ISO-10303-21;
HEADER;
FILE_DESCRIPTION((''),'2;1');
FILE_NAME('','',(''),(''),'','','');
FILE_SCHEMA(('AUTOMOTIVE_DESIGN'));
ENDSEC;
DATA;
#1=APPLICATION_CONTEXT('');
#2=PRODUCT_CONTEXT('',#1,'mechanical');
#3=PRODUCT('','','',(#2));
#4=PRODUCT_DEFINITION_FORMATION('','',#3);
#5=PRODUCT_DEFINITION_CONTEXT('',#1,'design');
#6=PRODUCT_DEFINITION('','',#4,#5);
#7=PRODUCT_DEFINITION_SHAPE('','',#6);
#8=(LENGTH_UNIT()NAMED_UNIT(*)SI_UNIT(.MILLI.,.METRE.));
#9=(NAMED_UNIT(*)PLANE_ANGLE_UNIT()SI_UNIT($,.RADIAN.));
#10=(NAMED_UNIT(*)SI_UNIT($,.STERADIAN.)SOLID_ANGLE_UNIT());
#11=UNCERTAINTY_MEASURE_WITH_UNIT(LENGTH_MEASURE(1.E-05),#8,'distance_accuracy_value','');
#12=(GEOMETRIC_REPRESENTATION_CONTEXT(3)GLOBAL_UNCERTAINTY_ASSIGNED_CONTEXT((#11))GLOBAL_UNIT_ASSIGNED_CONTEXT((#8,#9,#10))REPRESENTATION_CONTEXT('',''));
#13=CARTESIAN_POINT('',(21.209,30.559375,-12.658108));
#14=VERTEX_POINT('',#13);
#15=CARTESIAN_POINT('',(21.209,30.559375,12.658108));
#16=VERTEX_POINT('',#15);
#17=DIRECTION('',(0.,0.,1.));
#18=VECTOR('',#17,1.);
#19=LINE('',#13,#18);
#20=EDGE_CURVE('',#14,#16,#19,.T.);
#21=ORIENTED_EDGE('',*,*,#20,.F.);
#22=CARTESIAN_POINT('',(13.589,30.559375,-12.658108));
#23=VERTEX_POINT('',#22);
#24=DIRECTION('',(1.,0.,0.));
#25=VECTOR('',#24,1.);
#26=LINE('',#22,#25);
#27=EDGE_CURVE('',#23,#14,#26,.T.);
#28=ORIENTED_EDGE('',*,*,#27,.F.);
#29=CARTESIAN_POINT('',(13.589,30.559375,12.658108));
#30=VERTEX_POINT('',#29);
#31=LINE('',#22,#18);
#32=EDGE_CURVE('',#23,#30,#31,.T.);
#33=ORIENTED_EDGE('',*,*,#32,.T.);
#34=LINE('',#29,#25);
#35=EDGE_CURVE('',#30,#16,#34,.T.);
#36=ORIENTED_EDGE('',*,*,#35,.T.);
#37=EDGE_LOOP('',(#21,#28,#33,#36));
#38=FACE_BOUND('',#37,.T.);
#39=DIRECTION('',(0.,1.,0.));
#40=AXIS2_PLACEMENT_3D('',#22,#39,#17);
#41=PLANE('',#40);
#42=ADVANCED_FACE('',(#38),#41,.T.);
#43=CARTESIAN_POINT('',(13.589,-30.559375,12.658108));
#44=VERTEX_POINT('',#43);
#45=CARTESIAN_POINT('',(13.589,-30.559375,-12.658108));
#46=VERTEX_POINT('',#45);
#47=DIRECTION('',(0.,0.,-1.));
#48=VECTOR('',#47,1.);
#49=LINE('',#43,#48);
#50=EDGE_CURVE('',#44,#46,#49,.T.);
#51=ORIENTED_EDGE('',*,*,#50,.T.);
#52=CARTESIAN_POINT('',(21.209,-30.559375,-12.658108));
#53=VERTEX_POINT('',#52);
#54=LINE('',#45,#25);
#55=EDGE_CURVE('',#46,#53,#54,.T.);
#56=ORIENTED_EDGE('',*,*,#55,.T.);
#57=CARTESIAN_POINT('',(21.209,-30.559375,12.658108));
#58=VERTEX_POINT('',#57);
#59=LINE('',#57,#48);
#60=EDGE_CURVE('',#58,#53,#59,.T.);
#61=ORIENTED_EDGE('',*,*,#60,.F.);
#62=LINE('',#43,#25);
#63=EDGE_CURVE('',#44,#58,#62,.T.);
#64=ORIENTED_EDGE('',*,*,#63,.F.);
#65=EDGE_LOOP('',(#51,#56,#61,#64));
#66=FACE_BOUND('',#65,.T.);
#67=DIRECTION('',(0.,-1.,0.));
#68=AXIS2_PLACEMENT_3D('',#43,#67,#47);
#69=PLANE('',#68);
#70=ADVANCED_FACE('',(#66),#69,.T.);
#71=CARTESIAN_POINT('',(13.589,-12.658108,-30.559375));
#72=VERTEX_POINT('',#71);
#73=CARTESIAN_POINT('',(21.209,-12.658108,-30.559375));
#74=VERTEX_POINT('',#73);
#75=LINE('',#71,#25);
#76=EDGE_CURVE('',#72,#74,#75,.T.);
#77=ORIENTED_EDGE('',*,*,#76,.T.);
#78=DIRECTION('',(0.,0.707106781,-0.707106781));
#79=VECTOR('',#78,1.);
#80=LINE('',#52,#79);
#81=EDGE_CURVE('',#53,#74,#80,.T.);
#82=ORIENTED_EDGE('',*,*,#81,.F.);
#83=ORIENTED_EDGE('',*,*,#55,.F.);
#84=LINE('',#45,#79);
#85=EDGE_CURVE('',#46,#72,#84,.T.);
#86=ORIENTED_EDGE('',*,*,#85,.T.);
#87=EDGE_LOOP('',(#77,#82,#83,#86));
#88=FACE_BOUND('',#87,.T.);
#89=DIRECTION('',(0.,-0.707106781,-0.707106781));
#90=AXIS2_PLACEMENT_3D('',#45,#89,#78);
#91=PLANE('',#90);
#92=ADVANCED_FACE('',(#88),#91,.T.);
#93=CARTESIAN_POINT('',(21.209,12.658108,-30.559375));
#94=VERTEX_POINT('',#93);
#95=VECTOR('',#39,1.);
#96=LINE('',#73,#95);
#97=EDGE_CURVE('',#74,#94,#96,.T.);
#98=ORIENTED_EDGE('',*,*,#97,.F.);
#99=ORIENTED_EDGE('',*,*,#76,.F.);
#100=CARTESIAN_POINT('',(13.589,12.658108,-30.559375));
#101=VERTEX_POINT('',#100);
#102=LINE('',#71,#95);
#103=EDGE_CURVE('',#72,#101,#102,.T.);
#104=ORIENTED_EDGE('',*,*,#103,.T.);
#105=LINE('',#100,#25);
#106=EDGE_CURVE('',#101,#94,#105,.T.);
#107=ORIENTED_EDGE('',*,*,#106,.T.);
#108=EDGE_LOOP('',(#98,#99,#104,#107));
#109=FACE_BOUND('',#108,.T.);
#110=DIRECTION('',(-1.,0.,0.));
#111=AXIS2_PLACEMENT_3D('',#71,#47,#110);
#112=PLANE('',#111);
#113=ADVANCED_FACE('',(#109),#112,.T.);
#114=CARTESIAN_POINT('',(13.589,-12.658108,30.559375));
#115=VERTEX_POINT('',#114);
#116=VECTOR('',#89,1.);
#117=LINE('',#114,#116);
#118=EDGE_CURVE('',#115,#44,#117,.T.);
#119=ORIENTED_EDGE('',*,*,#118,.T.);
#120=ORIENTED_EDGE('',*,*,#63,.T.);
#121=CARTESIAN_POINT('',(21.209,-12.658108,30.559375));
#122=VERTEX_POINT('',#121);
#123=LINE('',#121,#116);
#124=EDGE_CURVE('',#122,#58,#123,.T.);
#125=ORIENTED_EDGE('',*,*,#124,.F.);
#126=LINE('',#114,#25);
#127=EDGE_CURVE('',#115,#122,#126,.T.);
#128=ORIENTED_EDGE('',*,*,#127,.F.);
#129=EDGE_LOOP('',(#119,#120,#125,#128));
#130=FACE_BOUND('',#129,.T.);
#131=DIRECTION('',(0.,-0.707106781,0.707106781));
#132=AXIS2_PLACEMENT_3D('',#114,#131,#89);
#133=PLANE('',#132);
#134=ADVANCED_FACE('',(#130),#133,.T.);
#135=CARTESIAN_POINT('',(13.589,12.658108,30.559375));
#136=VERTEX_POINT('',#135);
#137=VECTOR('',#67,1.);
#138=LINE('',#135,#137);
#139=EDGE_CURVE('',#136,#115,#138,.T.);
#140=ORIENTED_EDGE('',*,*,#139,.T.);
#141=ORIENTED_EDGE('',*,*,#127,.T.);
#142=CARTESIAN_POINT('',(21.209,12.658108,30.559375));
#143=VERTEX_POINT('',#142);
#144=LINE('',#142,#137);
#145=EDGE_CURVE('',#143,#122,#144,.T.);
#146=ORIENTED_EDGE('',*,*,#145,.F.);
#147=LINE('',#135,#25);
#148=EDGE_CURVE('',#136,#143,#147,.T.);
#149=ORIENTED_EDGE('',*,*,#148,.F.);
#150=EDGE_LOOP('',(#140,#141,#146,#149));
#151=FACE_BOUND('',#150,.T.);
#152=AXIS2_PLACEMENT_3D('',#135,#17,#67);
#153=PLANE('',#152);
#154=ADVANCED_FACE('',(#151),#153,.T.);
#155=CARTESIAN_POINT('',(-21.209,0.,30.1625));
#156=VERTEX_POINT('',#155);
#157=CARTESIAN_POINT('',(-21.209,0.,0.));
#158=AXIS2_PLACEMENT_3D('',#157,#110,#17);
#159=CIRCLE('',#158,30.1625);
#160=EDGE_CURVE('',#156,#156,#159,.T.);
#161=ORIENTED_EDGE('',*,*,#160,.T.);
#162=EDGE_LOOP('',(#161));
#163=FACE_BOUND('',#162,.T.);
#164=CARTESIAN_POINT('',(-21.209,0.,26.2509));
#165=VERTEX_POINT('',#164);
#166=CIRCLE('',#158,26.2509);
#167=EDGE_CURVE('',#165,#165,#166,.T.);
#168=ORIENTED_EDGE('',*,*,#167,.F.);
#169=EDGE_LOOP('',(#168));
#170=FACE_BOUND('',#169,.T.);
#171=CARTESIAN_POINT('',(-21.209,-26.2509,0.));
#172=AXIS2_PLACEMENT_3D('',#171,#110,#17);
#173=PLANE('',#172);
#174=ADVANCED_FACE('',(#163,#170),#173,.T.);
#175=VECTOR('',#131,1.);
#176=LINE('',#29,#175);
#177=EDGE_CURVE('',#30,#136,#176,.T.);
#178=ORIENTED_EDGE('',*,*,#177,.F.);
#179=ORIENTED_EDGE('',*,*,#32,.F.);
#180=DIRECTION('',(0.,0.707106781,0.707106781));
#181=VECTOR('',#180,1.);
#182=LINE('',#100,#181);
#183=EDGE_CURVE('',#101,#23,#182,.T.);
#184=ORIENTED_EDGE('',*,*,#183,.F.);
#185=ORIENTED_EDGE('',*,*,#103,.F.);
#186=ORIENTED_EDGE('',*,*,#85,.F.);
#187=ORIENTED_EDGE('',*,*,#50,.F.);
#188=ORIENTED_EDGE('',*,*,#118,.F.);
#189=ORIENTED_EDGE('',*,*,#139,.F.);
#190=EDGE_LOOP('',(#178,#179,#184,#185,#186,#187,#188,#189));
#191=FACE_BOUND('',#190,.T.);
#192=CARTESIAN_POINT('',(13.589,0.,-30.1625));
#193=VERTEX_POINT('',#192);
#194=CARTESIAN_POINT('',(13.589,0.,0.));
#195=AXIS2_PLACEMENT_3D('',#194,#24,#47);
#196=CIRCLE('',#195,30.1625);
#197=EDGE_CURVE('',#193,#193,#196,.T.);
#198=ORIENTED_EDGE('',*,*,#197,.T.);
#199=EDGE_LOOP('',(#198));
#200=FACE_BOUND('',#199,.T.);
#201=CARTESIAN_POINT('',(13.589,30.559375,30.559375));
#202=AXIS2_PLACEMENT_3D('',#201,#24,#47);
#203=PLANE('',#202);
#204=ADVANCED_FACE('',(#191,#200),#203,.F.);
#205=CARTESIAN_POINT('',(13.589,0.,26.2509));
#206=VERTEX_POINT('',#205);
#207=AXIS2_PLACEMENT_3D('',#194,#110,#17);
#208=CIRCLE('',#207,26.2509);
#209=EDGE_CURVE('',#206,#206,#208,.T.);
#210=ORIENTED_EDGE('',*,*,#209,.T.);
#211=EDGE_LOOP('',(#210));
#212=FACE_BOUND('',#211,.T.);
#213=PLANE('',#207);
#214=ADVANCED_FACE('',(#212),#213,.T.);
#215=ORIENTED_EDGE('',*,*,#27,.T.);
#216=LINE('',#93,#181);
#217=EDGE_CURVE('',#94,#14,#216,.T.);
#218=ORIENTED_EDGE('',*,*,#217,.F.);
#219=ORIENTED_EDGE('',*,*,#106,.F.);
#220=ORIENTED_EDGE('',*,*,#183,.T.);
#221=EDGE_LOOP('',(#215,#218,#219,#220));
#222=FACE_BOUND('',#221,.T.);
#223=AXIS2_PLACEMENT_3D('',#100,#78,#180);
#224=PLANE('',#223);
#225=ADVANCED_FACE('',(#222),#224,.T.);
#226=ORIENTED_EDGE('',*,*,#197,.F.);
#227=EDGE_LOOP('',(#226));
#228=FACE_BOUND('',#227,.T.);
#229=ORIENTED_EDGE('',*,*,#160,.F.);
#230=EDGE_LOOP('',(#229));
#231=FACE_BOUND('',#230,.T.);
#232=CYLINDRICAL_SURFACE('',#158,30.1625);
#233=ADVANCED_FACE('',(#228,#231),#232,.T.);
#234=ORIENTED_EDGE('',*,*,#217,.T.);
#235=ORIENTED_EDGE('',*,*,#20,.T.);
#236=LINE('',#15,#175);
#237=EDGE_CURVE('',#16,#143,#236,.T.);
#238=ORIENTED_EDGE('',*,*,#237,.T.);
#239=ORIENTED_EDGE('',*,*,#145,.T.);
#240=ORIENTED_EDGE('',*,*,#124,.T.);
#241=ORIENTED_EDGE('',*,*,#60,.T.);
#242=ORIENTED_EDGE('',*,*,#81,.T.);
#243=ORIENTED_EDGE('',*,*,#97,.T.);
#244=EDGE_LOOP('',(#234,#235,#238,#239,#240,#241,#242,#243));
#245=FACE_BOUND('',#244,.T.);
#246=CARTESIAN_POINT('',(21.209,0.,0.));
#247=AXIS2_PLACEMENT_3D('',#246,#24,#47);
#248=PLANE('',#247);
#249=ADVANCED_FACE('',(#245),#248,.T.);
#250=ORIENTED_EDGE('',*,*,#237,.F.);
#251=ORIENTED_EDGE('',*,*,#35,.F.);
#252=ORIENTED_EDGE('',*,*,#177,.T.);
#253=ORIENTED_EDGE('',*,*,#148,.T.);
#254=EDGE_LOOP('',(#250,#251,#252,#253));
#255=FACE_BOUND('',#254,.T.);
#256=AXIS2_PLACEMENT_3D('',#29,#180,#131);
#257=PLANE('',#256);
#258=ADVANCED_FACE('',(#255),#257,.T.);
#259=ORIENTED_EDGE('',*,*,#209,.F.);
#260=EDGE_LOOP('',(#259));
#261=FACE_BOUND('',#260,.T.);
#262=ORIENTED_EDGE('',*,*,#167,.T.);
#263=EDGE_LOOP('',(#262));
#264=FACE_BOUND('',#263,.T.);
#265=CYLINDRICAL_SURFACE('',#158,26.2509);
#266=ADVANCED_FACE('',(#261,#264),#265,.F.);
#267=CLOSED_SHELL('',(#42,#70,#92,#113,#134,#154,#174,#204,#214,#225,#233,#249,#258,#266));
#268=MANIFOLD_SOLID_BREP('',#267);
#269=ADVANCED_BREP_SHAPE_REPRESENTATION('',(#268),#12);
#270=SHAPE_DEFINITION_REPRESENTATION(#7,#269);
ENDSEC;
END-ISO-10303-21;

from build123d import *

# Parameters (mm, degrees)
SKETCH2_R           = 30.1625
BOSS_EXTRUDE1_DEPTH = 7.62


with BuildPart() as part:
    # Sketch1 → Revolve1 (revolve)
    with BuildSketch(Plane.XY):
        Polygon((-21.209, -30.1625), (21.209, -30.1625), (21.209, 0), (13.589, 0), (13.589, -26.2509), (-21.209, -26.2509), align=None)
    revolve(axis=Axis((-21.209, 0, 0), (1, 0, 0)))

    # Sketch2 → Boss-Extrude1 (add)
    with BuildSketch(Plane(origin=(21.209, 0, 0), x_dir=(0, 0, -1), z_dir=(1, 0, 0))):
        Polygon((-12.658107583, 30.559375), (-30.559375, 12.658107583), (-30.559375, -12.658107583), (-12.658107583, -30.559375), (12.658107583, -30.559375), (30.559375, -12.658107583), (30.559375, 12.658107583), (12.658107583, 30.559375), align=None)
        Circle(SKETCH2_R, mode=Mode.SUBTRACT)
    extrude(amount=-BOSS_EXTRUDE1_DEPTH)


solid = part.part
